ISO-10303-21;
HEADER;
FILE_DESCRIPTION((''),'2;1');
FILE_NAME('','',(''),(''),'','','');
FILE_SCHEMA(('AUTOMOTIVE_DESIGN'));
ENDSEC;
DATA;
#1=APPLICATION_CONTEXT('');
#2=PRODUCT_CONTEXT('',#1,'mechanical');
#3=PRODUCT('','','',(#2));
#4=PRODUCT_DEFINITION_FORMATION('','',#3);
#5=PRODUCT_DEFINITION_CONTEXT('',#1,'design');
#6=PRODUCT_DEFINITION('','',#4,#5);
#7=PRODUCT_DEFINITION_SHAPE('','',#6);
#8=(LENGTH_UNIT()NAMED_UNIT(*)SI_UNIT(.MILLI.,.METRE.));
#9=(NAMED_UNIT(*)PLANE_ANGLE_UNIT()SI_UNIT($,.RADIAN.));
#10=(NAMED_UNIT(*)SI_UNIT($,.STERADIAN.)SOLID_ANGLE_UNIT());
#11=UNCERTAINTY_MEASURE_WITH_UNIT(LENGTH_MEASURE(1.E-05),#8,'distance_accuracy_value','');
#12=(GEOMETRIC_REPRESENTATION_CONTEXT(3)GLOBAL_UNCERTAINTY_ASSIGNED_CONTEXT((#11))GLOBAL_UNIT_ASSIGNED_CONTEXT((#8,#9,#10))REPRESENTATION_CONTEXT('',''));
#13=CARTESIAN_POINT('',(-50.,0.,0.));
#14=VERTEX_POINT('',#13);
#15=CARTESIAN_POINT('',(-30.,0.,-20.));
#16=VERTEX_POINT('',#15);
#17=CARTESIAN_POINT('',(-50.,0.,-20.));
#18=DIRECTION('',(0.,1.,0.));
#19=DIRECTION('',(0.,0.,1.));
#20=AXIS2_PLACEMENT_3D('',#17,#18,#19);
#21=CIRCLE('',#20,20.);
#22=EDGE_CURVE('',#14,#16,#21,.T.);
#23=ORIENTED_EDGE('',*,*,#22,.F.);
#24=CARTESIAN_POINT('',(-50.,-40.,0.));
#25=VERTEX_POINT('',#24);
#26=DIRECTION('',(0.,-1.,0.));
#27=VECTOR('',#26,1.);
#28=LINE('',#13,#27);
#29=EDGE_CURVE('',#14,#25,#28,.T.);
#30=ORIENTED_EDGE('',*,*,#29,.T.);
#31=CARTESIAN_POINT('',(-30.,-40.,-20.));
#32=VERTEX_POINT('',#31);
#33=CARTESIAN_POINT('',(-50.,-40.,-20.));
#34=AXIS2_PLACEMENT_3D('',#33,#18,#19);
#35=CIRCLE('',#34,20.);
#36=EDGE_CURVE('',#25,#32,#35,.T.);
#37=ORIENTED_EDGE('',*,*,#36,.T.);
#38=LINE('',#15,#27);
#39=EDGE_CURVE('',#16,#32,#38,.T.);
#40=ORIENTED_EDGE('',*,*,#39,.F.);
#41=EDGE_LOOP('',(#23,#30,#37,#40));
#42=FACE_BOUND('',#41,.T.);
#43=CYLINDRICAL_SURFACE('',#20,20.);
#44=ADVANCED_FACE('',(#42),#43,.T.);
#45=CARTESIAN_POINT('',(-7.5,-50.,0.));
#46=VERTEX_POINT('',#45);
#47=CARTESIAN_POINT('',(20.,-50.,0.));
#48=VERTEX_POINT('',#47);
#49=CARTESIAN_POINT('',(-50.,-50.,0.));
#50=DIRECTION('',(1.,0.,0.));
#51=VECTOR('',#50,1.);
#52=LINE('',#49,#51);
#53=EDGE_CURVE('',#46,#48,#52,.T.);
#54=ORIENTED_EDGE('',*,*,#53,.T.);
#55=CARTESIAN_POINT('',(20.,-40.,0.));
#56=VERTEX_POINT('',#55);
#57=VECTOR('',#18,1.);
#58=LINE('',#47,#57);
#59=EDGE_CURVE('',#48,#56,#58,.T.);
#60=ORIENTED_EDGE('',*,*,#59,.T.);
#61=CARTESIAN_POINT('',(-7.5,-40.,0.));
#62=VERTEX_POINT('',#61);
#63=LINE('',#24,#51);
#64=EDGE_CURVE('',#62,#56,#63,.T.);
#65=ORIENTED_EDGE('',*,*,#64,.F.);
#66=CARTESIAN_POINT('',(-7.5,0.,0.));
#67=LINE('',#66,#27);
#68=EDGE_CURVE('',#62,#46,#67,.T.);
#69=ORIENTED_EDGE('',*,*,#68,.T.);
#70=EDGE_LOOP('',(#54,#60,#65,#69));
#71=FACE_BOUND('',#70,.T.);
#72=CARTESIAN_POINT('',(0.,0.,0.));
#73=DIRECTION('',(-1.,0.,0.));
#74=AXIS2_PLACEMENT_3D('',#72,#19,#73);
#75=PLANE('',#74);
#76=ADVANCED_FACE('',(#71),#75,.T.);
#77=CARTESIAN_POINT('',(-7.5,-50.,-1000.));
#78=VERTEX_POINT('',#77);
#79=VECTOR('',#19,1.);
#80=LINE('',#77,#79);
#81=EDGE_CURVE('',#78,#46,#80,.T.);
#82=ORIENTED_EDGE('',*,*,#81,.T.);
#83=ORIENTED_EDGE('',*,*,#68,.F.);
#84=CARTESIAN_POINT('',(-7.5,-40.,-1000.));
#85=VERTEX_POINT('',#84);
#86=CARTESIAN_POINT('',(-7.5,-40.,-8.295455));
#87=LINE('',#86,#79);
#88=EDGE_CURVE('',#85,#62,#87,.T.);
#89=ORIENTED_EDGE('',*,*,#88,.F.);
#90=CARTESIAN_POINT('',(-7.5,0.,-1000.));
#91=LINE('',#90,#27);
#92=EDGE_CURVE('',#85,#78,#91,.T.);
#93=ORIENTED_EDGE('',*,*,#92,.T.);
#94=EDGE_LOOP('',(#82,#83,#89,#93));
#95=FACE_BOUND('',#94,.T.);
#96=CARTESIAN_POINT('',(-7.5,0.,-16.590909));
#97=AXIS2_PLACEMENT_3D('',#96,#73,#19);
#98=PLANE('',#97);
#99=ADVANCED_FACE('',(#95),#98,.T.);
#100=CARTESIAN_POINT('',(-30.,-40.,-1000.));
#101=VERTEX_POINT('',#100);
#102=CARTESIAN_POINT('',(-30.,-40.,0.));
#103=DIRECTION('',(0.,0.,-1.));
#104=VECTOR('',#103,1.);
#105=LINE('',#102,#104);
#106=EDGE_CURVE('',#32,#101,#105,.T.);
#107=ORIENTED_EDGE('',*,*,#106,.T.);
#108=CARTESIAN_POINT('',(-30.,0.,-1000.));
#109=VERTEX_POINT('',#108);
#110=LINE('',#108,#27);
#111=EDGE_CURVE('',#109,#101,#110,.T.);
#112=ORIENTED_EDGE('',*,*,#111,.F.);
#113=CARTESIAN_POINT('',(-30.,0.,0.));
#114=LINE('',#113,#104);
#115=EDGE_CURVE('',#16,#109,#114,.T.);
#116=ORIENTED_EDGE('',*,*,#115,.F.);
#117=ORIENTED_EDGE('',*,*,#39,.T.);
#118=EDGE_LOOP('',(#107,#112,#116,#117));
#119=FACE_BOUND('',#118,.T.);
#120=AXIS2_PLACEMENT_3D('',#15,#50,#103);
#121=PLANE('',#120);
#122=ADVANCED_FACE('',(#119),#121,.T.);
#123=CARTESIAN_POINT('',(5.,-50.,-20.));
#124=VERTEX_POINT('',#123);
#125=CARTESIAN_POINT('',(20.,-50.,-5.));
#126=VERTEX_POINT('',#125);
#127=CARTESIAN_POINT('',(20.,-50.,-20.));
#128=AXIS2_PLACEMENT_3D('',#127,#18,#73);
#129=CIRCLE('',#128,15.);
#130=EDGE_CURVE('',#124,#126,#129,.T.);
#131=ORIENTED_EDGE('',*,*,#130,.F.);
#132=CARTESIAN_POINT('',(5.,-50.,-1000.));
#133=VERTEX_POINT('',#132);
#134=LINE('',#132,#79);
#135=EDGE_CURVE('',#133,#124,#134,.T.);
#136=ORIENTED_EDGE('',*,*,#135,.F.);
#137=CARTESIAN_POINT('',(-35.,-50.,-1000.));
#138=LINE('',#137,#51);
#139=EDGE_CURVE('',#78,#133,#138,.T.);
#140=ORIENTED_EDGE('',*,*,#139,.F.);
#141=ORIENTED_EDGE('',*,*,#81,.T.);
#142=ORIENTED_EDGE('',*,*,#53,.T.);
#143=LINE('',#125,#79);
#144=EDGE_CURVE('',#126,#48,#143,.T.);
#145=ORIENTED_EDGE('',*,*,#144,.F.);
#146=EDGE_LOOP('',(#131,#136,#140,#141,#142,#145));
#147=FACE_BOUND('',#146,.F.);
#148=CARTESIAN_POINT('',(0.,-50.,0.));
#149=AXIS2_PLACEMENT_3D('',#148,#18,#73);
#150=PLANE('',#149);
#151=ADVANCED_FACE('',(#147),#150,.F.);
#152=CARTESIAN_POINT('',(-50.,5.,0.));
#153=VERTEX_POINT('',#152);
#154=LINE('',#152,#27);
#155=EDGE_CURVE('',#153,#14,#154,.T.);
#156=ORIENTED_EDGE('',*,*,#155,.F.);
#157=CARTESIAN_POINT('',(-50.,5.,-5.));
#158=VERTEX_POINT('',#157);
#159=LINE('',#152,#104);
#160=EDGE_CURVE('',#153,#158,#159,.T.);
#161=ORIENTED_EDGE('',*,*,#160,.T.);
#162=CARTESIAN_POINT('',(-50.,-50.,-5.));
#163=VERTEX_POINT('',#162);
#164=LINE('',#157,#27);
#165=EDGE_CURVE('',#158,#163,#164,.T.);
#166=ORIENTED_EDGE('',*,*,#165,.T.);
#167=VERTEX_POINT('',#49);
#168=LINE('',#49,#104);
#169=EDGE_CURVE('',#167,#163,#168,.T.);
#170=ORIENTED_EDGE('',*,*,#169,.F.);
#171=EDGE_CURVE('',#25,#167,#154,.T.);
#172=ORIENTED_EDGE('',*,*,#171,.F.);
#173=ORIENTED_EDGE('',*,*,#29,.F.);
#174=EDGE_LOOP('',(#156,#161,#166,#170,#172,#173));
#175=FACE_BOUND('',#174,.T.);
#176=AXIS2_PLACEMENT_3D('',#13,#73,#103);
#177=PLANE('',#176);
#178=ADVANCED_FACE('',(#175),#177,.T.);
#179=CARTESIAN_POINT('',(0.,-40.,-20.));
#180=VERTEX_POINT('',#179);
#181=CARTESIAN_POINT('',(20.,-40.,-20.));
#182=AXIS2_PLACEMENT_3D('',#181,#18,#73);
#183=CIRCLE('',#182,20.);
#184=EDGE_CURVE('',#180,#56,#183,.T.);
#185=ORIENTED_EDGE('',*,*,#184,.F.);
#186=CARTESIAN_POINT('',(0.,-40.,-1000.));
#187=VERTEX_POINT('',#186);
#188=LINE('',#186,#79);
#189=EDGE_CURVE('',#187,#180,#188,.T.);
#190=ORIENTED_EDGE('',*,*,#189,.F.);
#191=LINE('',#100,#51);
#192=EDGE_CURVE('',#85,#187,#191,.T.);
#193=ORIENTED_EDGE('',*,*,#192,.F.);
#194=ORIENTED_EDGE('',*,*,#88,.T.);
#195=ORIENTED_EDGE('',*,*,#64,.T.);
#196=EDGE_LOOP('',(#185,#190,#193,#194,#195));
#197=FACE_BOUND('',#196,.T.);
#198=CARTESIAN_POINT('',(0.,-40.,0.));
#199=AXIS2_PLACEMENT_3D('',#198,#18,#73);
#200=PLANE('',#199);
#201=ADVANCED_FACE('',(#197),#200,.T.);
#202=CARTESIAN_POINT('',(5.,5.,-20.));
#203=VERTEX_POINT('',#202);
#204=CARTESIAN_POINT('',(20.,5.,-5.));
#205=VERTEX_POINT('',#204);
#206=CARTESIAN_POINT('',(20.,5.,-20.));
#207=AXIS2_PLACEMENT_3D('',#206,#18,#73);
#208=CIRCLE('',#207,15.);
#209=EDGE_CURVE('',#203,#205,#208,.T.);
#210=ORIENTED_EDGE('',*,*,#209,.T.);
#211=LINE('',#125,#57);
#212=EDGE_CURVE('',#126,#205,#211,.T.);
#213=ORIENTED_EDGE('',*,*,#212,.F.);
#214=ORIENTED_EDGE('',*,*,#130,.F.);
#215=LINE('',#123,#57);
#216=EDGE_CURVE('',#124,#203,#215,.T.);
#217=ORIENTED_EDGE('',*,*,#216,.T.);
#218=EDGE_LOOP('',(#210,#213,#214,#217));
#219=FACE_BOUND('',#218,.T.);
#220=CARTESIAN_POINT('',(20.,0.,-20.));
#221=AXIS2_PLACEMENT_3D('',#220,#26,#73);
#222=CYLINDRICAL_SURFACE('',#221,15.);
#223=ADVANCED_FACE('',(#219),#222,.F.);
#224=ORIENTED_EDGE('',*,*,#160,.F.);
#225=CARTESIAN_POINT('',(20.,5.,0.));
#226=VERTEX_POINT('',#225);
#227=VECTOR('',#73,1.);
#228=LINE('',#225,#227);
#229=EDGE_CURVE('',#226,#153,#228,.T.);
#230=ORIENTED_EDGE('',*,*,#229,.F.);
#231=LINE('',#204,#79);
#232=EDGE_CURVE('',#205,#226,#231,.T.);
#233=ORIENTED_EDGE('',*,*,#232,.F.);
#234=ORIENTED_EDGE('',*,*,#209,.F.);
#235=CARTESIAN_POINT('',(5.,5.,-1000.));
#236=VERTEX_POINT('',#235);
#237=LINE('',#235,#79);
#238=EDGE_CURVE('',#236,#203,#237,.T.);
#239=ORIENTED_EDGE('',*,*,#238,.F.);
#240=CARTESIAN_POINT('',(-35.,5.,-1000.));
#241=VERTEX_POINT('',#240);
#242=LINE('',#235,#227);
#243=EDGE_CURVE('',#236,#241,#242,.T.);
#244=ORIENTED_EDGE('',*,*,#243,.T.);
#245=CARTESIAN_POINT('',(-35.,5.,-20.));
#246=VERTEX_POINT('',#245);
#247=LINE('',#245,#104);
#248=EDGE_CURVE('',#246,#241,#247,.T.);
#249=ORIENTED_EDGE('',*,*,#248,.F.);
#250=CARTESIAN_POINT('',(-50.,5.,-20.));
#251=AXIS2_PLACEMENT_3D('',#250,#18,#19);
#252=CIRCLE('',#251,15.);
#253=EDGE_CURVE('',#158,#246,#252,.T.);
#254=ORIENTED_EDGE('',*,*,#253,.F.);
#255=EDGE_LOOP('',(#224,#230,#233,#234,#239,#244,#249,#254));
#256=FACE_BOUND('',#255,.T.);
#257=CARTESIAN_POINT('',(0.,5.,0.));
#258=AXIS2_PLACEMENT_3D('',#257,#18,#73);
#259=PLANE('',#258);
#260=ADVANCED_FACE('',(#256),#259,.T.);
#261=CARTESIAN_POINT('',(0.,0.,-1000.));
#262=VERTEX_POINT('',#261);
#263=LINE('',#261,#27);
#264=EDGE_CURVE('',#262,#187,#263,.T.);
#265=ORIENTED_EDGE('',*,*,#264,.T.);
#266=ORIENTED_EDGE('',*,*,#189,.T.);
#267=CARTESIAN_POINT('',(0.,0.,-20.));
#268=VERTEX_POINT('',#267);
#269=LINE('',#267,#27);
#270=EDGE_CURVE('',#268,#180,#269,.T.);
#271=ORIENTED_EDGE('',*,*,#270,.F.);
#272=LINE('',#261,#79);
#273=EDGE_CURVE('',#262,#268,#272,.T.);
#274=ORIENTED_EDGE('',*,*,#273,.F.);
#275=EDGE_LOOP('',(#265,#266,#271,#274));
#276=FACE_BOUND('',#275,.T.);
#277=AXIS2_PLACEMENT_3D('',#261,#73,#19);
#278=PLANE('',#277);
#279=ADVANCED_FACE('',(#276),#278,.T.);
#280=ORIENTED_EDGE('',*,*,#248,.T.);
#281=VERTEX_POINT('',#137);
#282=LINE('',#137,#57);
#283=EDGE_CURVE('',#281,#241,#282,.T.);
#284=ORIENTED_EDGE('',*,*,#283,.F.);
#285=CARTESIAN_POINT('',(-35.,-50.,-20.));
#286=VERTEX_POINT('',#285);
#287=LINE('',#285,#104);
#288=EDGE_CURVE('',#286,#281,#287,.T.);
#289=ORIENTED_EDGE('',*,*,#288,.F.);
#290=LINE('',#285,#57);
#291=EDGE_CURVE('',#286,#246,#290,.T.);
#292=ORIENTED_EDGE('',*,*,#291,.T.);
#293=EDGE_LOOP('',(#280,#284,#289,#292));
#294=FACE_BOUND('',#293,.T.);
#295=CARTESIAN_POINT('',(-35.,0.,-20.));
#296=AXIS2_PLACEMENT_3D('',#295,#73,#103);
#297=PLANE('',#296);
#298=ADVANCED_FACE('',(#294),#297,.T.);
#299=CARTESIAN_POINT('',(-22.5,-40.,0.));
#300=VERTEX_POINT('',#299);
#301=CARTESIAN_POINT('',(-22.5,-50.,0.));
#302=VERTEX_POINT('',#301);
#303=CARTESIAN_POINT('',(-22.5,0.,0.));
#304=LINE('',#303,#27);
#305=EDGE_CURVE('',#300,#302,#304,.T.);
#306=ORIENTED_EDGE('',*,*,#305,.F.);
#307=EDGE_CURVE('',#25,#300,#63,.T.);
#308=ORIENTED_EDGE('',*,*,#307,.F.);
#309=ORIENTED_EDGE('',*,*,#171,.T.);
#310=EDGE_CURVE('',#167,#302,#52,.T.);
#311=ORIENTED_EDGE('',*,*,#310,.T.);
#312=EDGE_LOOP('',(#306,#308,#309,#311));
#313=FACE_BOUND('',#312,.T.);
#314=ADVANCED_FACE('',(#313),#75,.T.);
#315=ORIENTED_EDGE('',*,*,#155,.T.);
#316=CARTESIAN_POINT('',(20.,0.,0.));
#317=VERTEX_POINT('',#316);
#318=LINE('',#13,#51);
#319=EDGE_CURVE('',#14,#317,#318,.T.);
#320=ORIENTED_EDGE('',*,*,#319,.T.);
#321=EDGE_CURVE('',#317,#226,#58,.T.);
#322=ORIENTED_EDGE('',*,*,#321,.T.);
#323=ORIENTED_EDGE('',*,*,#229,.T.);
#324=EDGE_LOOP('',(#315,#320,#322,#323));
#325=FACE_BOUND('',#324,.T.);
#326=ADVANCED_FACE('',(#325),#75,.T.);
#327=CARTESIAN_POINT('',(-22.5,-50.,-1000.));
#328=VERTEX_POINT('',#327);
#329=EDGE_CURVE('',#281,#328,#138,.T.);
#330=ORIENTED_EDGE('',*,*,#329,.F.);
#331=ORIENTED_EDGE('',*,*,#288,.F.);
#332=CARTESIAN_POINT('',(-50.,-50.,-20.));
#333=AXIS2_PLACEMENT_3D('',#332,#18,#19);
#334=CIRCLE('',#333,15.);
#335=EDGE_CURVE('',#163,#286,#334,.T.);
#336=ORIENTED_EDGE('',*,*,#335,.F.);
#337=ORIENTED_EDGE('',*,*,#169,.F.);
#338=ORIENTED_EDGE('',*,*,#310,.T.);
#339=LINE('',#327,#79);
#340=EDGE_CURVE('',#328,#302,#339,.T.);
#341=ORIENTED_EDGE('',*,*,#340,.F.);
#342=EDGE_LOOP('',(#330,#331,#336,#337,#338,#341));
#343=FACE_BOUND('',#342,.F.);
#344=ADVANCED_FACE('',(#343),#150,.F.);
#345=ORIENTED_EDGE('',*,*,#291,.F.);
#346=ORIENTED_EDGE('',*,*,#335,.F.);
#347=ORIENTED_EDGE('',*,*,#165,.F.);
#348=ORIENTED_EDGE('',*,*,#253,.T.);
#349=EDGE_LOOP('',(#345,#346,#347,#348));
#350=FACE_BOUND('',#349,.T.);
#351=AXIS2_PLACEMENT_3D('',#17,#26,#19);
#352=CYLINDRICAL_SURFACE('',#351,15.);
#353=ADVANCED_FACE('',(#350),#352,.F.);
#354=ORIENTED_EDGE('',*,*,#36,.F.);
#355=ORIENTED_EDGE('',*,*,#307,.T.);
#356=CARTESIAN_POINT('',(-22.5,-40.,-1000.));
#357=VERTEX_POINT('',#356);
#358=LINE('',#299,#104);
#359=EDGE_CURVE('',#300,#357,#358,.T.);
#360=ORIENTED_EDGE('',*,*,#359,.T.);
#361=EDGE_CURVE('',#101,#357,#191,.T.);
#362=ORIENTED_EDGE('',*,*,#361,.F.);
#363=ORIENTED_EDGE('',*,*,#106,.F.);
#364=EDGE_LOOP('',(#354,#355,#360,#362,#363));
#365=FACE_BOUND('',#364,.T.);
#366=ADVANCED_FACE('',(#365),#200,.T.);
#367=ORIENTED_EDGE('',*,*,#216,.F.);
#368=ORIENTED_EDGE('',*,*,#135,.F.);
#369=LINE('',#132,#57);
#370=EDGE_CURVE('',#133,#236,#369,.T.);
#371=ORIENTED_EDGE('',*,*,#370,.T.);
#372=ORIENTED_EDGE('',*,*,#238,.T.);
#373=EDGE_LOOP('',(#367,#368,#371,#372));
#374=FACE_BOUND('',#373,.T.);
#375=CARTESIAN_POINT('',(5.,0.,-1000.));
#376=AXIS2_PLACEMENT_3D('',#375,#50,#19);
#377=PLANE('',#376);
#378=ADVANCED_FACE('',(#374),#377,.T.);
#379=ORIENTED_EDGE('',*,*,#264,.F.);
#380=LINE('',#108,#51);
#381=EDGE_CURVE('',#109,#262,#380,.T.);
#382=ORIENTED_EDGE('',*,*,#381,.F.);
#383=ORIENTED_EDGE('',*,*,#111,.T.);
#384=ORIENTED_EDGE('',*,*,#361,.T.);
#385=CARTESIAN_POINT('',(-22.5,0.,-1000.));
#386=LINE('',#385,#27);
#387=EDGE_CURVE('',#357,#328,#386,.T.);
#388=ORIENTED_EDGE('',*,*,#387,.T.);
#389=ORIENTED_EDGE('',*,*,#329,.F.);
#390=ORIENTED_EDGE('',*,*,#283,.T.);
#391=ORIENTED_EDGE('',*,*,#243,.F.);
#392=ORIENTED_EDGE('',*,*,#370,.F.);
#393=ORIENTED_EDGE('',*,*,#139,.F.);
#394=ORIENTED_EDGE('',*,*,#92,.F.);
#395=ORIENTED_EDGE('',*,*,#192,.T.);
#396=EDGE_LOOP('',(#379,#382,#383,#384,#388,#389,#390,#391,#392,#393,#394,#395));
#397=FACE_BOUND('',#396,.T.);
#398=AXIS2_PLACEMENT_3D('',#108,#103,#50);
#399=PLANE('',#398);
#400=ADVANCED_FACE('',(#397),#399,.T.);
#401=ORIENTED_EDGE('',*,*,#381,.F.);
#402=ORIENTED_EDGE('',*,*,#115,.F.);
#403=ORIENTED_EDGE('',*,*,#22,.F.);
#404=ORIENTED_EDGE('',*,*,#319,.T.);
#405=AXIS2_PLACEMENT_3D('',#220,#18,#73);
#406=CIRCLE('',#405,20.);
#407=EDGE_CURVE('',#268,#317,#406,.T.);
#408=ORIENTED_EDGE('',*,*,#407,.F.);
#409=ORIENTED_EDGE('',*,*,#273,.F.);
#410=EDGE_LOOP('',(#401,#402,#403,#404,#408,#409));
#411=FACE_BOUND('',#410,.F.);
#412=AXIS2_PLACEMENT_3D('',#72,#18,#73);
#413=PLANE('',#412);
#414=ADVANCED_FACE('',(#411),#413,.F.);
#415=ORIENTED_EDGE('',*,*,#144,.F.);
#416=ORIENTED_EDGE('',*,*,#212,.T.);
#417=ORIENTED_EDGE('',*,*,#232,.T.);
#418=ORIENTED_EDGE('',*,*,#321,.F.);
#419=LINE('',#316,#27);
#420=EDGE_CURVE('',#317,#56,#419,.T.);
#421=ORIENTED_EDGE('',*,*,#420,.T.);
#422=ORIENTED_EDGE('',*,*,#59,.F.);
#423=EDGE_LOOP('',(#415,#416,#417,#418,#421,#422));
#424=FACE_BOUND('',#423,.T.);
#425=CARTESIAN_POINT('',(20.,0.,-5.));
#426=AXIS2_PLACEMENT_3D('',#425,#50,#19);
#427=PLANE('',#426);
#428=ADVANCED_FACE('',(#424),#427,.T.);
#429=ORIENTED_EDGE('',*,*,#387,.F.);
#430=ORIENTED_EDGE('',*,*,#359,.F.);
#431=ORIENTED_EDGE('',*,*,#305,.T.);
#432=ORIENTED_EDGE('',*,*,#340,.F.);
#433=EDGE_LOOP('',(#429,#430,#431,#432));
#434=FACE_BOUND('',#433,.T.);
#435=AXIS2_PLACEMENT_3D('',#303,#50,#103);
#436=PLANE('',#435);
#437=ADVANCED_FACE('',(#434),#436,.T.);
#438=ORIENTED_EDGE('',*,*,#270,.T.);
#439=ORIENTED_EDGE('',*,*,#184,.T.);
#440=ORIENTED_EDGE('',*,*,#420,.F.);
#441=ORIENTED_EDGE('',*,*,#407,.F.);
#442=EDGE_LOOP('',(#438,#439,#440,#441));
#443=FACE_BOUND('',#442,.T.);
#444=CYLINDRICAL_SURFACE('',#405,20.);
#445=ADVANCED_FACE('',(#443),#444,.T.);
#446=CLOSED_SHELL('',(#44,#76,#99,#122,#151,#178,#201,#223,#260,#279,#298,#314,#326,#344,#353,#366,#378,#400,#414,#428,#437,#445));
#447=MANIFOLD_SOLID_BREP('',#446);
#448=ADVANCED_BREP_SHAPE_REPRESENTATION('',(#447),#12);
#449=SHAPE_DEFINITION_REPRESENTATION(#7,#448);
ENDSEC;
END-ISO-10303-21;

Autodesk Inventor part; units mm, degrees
ref_plane "YZ Plane" through (0, 0, 0) normal (1, 0, 0) x (0, 1, 0)
ref_plane "XZ Plane" through (0, 0, 0) normal (0, 1, 0) x (-1, 0, 0)
ref_plane "XY Plane" through (0, 0, 0) normal (0, 0, 1) x (1, 0, 0)
sketch "Skizze1" plane through (0, 0, 0) normal (0, 1, 0) x (-1, 0, 0)
  line L0 (0, 0) -> (30, 0)
  line L1 (30, 0) -> (30, -1000)
  line L2 (30, -1000) -> (0, -1000)
  line L3 (0, -1000) -> (0, 0)
  line L4 (0, 0) -> (-20, 0)
  line L5 (-5, -20) -> (0, -20)
  arc A0 (0, -20) -> (-20, 0) centre (-20, -20) ccw
  line L6 (30, 0) -> (30, -20)
  line L7 (30, -20) -> (35, -20)
  arc A1 (50, 0) -> (30, -20) centre (50, -20) ccw
  line L8 (50, 0) -> (50, -5)
  arc A2 (50, -5) -> (35, -20) centre (50, -20) ccw
  line L9 (0, -20) -> (-5, -20)
  arc A3 (-5, -20) -> (-20, -5) centre (-20, -20) ccw
  line L10 (35, -20) -> (35, -1000)
  line L11 (35, -1000) -> (30, -1000)
  line L12 (0, -1000) -> (-5, -1000)
  line L13 (-5, -1000) -> (-5, -20)
  line L14 (30, 0) -> (50, 0)
  line L15 (-20, -5) -> (-20, 0)
  line L16 (-20, 0) -> (0, 0)
  line L17 (0, 0) -> (0, -20)
  line L18 (0, -20) -> (-5, -20)
  line L19 (-20, -5) -> (-20, 0)
  arc A4 (0, -20) -> (-20, 0) centre (-20, -20) ccw
  line L20 (0, -20) -> (0, 0)
  line L21 (0, 0) -> (-20, 0)
  dimension "d0" = 30
  dimension "d1" = 1000
  dimension "d2" = 20
  dimension "d5" = 20
  dimension "d10" = 5
  dimension "d11" = 5
  dimension "d12" = 5
extrude "Extrusion1" add sketch "Skizze1" along normal blind 5
extrude "Extrusion2" add sketch "Skizze1" against normal blind 50 contours L3 L12 L13 L5 | L5 A3 L15 A0 | L7 L10 L11 L1 | A1 L8 A2 L7
extrude "Extrusion3" add sketch "Skizze1" against normal blind 50 contours L0 L1 L2 L3 | L3 A0 L4 | L14 A1 L1
extrude "Extrusion4" cut sketch "Skizze1" against normal blind 40 contours L0 L1 L2 L3 | L3 A0 L4 | L14 A1 L1
sketch "Skizze2" plane through (0, 0, 0) normal (0, -1, 0) x (1, 0, 0)
  arc A0 (-35, -20) -> (-50, -5) centre (-50, -20) ccw projected
  line L0 (5, -20) -> (5, -1000) projected
  line L1 (-50, -5) -> (5, -20)
  line L2 (5, -36.012) -> (-15, -36.012)
  line L3 (-35, -20) -> (-35, -1000) projected
  line L4 (-15, -36.012) -> (-22.5, -36.012)
  line L5 (-22.5, -36.012) -> (-7.5, -36.012)
  line L6 (-7.5, -36.012) -> (-7.5, 0)
  line L7 (-50, 0) -> (20, 0) projected
  line L8 (-7.5, 0) -> (-22.5, 0)
  line L9 (-22.5, 0) -> (-22.5, -1000)
  line L10 (-30, -1000) -> (0, -1000) projected
  line L11 (-22.5, -1000) -> (-7.5, -1000)
  line L12 (-7.5, -1000) -> (-7.5, 0)
  point P0 (0, 0)
  dimension "d21" = 20
  dimension "d22" = 15
  dimension "d23" = 15
  dimension "d24" = 15
extrude "Extrusion5" cut sketch "Skizze2" along normal blind 50 contours L9 L7 L6 L1 | L1 L6 L2 L4 L9 | L4 L2 L12 L10 L9
properties part number "Fuehrungsschiene"
